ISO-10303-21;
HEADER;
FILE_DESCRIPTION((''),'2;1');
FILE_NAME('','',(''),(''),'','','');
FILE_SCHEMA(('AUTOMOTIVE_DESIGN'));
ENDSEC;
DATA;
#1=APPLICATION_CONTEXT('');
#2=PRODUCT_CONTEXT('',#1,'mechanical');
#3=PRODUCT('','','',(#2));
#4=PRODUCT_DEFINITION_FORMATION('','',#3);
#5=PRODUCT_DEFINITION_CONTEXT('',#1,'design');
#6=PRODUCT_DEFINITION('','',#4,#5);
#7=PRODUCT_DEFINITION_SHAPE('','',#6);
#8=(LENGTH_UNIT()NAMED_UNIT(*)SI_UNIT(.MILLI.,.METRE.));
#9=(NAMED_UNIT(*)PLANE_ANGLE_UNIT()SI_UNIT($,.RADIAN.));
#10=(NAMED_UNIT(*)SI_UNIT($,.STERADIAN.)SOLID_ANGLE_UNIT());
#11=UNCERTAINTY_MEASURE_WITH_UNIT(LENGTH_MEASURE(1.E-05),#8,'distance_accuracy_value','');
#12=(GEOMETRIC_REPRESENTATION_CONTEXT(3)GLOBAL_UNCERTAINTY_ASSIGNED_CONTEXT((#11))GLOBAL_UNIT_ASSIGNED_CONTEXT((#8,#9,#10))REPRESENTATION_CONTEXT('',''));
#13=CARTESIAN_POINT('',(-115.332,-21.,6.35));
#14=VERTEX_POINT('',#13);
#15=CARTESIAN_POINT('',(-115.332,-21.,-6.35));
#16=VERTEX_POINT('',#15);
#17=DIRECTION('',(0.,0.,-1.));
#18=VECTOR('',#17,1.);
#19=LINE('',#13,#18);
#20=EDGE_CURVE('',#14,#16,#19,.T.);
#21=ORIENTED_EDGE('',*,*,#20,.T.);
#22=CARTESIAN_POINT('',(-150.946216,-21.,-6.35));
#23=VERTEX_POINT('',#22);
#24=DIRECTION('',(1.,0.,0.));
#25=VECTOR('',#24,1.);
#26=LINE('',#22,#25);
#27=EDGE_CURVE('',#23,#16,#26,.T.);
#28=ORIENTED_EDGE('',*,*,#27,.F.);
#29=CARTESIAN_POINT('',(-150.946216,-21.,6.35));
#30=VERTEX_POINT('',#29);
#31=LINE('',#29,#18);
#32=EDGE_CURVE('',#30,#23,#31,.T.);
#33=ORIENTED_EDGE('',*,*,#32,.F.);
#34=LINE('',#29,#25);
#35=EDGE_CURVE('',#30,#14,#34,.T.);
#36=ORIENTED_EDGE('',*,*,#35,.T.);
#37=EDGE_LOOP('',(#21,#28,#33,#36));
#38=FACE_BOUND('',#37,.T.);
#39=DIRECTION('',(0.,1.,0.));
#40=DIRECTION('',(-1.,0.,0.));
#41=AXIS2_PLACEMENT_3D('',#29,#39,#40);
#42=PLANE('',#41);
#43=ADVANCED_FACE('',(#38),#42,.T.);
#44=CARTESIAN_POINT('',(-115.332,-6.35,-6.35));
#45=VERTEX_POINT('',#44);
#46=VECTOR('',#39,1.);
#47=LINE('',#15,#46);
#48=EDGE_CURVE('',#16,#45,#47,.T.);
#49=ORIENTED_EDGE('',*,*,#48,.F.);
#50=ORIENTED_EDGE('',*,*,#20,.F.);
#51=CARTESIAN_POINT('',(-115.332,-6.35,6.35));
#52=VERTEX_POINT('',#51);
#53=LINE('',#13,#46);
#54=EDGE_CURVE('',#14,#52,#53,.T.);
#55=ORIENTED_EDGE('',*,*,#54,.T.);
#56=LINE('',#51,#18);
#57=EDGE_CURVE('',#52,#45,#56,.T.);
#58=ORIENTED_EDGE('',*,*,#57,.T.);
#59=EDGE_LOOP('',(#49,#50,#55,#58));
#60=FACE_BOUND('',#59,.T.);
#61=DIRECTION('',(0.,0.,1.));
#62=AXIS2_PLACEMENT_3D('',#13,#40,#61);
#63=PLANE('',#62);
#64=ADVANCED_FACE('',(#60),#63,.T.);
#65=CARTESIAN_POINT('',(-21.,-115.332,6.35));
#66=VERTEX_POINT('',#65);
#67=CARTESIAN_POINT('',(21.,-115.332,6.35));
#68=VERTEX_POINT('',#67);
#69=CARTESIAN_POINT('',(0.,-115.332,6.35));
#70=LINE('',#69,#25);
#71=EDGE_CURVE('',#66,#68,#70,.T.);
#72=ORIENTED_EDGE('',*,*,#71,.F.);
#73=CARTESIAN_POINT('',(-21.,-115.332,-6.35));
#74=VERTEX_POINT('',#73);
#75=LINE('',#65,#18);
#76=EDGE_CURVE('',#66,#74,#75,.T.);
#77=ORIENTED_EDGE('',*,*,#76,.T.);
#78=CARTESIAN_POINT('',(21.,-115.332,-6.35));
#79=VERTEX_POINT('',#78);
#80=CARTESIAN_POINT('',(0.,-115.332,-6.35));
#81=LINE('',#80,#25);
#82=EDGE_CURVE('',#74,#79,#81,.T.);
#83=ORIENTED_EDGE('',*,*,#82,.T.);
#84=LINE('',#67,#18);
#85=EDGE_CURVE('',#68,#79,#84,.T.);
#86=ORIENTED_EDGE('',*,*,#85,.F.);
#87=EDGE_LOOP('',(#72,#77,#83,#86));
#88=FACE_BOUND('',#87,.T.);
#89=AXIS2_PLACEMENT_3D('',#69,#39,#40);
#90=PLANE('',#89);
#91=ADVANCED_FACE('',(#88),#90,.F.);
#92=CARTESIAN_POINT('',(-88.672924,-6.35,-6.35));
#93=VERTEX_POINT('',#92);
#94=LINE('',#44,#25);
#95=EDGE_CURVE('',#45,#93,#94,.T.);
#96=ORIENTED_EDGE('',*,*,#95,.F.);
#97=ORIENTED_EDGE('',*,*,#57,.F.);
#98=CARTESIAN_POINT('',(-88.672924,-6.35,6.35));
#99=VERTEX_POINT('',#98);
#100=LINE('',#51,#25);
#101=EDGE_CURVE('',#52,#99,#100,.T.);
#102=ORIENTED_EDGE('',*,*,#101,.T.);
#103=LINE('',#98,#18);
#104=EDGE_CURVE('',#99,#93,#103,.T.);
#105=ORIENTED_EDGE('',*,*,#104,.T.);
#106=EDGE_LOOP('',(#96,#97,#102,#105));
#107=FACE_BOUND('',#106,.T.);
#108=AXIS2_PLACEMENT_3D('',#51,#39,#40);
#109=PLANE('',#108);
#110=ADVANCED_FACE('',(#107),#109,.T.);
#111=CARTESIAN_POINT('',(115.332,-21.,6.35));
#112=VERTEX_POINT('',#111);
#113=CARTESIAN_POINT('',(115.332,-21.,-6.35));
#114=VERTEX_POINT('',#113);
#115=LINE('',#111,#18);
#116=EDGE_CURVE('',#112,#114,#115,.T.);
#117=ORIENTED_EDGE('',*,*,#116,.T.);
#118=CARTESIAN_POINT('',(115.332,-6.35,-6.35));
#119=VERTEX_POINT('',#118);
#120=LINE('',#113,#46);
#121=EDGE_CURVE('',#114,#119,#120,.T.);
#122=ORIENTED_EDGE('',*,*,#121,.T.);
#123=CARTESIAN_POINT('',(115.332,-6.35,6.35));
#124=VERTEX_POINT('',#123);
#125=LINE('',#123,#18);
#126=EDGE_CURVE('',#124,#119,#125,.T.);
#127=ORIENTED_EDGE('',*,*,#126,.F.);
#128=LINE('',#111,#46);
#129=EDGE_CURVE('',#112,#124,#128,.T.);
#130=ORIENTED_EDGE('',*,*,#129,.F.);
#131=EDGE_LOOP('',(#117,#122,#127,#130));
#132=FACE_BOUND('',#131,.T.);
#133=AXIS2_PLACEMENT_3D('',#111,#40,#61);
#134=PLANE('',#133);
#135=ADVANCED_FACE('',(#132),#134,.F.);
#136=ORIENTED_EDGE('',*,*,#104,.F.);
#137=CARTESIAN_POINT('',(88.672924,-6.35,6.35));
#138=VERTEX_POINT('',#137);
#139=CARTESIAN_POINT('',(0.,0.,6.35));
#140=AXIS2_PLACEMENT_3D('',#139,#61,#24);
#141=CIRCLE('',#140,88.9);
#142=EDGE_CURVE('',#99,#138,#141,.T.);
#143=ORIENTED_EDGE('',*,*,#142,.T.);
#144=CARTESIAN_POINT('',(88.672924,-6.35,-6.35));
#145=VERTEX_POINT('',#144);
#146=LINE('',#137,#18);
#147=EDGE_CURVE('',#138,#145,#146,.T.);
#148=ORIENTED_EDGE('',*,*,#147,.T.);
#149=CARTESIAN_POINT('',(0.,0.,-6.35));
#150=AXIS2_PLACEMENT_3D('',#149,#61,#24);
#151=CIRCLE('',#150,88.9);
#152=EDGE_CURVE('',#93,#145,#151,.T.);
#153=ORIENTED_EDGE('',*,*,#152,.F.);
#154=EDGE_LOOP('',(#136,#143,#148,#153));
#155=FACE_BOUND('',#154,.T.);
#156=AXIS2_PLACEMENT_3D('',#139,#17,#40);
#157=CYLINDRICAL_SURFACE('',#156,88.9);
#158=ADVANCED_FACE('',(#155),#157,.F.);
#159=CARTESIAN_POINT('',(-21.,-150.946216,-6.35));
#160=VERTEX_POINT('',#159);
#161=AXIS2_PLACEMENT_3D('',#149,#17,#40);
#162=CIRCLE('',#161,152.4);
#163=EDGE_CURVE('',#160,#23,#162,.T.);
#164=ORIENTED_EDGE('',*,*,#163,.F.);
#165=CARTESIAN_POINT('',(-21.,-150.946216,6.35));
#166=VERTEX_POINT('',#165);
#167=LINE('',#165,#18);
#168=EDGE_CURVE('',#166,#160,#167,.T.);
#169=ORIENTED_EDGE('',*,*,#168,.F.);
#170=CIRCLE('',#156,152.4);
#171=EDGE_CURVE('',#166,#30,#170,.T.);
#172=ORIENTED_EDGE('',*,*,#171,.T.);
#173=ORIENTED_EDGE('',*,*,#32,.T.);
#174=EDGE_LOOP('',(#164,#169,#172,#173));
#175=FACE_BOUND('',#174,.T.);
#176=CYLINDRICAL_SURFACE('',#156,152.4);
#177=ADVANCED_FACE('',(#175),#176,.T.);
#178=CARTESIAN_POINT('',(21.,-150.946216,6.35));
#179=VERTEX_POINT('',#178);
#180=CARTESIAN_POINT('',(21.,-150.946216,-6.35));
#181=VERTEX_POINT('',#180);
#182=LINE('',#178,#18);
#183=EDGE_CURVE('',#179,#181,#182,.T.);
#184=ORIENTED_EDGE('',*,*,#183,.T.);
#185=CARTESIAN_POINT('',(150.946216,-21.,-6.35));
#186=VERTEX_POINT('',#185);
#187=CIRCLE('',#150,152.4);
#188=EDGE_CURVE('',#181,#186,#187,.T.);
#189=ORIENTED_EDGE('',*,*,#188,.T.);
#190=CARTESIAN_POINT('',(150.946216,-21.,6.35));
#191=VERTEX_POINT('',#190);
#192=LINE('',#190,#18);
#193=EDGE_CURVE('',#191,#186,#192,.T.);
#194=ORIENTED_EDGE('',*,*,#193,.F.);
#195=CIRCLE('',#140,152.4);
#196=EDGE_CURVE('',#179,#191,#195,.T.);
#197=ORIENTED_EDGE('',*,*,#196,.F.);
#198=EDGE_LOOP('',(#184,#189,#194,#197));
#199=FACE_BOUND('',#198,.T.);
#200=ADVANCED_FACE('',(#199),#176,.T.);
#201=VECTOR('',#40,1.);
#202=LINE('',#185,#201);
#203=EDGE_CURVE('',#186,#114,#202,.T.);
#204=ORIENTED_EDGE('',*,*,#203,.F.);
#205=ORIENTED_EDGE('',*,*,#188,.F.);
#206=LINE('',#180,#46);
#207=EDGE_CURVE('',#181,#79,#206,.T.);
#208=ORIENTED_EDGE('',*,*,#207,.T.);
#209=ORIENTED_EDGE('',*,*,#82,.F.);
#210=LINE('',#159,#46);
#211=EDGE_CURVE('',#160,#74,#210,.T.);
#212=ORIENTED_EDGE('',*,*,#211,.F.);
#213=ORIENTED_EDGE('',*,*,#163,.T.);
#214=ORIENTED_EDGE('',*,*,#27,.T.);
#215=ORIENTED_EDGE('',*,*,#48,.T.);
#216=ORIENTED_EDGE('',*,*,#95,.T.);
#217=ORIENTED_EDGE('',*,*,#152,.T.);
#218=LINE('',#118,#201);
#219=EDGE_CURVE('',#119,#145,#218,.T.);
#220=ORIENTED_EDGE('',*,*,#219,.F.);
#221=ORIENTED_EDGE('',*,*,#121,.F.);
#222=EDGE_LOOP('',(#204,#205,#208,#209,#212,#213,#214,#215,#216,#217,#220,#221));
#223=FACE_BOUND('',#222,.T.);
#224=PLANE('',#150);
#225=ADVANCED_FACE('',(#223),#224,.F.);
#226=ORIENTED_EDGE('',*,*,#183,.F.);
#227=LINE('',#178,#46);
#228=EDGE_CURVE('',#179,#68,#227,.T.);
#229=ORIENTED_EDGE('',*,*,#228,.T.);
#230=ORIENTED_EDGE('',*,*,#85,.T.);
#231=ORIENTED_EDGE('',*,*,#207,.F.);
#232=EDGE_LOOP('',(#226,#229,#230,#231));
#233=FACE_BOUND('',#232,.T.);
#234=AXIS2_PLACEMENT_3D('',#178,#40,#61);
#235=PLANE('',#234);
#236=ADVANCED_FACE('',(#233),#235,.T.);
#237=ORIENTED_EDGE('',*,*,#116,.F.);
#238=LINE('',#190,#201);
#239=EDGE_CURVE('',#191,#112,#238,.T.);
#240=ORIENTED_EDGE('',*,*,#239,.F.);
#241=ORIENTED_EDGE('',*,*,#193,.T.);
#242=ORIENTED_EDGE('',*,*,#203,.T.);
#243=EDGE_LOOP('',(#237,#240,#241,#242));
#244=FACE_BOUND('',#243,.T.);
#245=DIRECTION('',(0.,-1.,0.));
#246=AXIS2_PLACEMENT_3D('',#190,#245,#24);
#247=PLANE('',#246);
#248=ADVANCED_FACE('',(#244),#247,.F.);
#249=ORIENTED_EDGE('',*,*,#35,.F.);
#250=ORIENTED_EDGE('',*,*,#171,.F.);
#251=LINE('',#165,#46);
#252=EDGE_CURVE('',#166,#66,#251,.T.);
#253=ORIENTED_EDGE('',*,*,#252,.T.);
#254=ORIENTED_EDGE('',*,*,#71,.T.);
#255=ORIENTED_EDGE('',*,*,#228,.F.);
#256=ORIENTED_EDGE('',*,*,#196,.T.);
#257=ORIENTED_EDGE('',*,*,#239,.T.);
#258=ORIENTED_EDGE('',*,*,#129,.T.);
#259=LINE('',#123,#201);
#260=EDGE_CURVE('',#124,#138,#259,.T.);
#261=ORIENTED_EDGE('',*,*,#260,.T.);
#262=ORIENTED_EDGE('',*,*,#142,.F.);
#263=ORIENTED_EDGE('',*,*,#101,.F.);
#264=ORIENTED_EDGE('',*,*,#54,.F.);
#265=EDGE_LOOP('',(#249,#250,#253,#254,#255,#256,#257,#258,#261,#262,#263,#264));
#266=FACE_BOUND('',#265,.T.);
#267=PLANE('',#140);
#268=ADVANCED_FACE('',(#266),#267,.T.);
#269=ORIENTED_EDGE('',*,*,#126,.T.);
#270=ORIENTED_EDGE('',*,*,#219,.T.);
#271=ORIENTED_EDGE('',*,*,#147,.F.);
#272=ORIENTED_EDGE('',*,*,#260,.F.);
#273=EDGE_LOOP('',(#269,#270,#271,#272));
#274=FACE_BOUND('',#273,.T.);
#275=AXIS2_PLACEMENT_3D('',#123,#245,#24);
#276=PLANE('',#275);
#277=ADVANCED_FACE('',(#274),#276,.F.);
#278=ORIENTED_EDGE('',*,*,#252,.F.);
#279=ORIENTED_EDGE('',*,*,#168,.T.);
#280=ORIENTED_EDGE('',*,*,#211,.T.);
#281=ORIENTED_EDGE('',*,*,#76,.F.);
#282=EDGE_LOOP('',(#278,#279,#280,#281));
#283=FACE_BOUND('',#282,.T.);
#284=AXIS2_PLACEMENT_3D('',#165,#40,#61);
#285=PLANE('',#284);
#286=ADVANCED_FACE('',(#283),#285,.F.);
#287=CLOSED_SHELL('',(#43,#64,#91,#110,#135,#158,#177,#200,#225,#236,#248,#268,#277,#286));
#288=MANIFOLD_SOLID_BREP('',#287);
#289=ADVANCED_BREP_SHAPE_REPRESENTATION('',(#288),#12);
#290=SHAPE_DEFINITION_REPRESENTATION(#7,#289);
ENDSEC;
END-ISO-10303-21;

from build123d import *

# Parameters (mm, degrees)
BOSS_EXTRUDE4_DEPTH = 6.35


with BuildPart() as part:
    # Sketch1 → Boss-Extrude4 (new, symmetric)
    with BuildSketch(Plane.XY):
        with BuildLine():
            Line((21, -150.946215587), (21, -115.332))
            Line((21, -115.332), (0, -115.332))
            Line((0, -115.332), (0, -88.9))
            ThreePointArc((0, -88.9), (60.57513929, -65.068137364), (88.672924278, -6.35))
            Line((88.672924278, -6.35), (115.332, -6.35))
            Line((115.332, -6.35), (115.332, -21))
            Line((115.332, -21), (150.946215587, -21))
            ThreePointArc((150.946215587, -21), (107.763073453, -107.763073453), (21, -150.946215587))
        make_face()
    boss_extrude4 = extrude(amount=BOSS_EXTRUDE4_DEPTH, both=True)

    # Mirror1: Boss-Extrude4 across plane
    add(boss_extrude4.mirror(Plane(origin=(0, 0, 0), x_dir=(0, 0, 1), z_dir=(1, 0, 0))))


solid = part.part
